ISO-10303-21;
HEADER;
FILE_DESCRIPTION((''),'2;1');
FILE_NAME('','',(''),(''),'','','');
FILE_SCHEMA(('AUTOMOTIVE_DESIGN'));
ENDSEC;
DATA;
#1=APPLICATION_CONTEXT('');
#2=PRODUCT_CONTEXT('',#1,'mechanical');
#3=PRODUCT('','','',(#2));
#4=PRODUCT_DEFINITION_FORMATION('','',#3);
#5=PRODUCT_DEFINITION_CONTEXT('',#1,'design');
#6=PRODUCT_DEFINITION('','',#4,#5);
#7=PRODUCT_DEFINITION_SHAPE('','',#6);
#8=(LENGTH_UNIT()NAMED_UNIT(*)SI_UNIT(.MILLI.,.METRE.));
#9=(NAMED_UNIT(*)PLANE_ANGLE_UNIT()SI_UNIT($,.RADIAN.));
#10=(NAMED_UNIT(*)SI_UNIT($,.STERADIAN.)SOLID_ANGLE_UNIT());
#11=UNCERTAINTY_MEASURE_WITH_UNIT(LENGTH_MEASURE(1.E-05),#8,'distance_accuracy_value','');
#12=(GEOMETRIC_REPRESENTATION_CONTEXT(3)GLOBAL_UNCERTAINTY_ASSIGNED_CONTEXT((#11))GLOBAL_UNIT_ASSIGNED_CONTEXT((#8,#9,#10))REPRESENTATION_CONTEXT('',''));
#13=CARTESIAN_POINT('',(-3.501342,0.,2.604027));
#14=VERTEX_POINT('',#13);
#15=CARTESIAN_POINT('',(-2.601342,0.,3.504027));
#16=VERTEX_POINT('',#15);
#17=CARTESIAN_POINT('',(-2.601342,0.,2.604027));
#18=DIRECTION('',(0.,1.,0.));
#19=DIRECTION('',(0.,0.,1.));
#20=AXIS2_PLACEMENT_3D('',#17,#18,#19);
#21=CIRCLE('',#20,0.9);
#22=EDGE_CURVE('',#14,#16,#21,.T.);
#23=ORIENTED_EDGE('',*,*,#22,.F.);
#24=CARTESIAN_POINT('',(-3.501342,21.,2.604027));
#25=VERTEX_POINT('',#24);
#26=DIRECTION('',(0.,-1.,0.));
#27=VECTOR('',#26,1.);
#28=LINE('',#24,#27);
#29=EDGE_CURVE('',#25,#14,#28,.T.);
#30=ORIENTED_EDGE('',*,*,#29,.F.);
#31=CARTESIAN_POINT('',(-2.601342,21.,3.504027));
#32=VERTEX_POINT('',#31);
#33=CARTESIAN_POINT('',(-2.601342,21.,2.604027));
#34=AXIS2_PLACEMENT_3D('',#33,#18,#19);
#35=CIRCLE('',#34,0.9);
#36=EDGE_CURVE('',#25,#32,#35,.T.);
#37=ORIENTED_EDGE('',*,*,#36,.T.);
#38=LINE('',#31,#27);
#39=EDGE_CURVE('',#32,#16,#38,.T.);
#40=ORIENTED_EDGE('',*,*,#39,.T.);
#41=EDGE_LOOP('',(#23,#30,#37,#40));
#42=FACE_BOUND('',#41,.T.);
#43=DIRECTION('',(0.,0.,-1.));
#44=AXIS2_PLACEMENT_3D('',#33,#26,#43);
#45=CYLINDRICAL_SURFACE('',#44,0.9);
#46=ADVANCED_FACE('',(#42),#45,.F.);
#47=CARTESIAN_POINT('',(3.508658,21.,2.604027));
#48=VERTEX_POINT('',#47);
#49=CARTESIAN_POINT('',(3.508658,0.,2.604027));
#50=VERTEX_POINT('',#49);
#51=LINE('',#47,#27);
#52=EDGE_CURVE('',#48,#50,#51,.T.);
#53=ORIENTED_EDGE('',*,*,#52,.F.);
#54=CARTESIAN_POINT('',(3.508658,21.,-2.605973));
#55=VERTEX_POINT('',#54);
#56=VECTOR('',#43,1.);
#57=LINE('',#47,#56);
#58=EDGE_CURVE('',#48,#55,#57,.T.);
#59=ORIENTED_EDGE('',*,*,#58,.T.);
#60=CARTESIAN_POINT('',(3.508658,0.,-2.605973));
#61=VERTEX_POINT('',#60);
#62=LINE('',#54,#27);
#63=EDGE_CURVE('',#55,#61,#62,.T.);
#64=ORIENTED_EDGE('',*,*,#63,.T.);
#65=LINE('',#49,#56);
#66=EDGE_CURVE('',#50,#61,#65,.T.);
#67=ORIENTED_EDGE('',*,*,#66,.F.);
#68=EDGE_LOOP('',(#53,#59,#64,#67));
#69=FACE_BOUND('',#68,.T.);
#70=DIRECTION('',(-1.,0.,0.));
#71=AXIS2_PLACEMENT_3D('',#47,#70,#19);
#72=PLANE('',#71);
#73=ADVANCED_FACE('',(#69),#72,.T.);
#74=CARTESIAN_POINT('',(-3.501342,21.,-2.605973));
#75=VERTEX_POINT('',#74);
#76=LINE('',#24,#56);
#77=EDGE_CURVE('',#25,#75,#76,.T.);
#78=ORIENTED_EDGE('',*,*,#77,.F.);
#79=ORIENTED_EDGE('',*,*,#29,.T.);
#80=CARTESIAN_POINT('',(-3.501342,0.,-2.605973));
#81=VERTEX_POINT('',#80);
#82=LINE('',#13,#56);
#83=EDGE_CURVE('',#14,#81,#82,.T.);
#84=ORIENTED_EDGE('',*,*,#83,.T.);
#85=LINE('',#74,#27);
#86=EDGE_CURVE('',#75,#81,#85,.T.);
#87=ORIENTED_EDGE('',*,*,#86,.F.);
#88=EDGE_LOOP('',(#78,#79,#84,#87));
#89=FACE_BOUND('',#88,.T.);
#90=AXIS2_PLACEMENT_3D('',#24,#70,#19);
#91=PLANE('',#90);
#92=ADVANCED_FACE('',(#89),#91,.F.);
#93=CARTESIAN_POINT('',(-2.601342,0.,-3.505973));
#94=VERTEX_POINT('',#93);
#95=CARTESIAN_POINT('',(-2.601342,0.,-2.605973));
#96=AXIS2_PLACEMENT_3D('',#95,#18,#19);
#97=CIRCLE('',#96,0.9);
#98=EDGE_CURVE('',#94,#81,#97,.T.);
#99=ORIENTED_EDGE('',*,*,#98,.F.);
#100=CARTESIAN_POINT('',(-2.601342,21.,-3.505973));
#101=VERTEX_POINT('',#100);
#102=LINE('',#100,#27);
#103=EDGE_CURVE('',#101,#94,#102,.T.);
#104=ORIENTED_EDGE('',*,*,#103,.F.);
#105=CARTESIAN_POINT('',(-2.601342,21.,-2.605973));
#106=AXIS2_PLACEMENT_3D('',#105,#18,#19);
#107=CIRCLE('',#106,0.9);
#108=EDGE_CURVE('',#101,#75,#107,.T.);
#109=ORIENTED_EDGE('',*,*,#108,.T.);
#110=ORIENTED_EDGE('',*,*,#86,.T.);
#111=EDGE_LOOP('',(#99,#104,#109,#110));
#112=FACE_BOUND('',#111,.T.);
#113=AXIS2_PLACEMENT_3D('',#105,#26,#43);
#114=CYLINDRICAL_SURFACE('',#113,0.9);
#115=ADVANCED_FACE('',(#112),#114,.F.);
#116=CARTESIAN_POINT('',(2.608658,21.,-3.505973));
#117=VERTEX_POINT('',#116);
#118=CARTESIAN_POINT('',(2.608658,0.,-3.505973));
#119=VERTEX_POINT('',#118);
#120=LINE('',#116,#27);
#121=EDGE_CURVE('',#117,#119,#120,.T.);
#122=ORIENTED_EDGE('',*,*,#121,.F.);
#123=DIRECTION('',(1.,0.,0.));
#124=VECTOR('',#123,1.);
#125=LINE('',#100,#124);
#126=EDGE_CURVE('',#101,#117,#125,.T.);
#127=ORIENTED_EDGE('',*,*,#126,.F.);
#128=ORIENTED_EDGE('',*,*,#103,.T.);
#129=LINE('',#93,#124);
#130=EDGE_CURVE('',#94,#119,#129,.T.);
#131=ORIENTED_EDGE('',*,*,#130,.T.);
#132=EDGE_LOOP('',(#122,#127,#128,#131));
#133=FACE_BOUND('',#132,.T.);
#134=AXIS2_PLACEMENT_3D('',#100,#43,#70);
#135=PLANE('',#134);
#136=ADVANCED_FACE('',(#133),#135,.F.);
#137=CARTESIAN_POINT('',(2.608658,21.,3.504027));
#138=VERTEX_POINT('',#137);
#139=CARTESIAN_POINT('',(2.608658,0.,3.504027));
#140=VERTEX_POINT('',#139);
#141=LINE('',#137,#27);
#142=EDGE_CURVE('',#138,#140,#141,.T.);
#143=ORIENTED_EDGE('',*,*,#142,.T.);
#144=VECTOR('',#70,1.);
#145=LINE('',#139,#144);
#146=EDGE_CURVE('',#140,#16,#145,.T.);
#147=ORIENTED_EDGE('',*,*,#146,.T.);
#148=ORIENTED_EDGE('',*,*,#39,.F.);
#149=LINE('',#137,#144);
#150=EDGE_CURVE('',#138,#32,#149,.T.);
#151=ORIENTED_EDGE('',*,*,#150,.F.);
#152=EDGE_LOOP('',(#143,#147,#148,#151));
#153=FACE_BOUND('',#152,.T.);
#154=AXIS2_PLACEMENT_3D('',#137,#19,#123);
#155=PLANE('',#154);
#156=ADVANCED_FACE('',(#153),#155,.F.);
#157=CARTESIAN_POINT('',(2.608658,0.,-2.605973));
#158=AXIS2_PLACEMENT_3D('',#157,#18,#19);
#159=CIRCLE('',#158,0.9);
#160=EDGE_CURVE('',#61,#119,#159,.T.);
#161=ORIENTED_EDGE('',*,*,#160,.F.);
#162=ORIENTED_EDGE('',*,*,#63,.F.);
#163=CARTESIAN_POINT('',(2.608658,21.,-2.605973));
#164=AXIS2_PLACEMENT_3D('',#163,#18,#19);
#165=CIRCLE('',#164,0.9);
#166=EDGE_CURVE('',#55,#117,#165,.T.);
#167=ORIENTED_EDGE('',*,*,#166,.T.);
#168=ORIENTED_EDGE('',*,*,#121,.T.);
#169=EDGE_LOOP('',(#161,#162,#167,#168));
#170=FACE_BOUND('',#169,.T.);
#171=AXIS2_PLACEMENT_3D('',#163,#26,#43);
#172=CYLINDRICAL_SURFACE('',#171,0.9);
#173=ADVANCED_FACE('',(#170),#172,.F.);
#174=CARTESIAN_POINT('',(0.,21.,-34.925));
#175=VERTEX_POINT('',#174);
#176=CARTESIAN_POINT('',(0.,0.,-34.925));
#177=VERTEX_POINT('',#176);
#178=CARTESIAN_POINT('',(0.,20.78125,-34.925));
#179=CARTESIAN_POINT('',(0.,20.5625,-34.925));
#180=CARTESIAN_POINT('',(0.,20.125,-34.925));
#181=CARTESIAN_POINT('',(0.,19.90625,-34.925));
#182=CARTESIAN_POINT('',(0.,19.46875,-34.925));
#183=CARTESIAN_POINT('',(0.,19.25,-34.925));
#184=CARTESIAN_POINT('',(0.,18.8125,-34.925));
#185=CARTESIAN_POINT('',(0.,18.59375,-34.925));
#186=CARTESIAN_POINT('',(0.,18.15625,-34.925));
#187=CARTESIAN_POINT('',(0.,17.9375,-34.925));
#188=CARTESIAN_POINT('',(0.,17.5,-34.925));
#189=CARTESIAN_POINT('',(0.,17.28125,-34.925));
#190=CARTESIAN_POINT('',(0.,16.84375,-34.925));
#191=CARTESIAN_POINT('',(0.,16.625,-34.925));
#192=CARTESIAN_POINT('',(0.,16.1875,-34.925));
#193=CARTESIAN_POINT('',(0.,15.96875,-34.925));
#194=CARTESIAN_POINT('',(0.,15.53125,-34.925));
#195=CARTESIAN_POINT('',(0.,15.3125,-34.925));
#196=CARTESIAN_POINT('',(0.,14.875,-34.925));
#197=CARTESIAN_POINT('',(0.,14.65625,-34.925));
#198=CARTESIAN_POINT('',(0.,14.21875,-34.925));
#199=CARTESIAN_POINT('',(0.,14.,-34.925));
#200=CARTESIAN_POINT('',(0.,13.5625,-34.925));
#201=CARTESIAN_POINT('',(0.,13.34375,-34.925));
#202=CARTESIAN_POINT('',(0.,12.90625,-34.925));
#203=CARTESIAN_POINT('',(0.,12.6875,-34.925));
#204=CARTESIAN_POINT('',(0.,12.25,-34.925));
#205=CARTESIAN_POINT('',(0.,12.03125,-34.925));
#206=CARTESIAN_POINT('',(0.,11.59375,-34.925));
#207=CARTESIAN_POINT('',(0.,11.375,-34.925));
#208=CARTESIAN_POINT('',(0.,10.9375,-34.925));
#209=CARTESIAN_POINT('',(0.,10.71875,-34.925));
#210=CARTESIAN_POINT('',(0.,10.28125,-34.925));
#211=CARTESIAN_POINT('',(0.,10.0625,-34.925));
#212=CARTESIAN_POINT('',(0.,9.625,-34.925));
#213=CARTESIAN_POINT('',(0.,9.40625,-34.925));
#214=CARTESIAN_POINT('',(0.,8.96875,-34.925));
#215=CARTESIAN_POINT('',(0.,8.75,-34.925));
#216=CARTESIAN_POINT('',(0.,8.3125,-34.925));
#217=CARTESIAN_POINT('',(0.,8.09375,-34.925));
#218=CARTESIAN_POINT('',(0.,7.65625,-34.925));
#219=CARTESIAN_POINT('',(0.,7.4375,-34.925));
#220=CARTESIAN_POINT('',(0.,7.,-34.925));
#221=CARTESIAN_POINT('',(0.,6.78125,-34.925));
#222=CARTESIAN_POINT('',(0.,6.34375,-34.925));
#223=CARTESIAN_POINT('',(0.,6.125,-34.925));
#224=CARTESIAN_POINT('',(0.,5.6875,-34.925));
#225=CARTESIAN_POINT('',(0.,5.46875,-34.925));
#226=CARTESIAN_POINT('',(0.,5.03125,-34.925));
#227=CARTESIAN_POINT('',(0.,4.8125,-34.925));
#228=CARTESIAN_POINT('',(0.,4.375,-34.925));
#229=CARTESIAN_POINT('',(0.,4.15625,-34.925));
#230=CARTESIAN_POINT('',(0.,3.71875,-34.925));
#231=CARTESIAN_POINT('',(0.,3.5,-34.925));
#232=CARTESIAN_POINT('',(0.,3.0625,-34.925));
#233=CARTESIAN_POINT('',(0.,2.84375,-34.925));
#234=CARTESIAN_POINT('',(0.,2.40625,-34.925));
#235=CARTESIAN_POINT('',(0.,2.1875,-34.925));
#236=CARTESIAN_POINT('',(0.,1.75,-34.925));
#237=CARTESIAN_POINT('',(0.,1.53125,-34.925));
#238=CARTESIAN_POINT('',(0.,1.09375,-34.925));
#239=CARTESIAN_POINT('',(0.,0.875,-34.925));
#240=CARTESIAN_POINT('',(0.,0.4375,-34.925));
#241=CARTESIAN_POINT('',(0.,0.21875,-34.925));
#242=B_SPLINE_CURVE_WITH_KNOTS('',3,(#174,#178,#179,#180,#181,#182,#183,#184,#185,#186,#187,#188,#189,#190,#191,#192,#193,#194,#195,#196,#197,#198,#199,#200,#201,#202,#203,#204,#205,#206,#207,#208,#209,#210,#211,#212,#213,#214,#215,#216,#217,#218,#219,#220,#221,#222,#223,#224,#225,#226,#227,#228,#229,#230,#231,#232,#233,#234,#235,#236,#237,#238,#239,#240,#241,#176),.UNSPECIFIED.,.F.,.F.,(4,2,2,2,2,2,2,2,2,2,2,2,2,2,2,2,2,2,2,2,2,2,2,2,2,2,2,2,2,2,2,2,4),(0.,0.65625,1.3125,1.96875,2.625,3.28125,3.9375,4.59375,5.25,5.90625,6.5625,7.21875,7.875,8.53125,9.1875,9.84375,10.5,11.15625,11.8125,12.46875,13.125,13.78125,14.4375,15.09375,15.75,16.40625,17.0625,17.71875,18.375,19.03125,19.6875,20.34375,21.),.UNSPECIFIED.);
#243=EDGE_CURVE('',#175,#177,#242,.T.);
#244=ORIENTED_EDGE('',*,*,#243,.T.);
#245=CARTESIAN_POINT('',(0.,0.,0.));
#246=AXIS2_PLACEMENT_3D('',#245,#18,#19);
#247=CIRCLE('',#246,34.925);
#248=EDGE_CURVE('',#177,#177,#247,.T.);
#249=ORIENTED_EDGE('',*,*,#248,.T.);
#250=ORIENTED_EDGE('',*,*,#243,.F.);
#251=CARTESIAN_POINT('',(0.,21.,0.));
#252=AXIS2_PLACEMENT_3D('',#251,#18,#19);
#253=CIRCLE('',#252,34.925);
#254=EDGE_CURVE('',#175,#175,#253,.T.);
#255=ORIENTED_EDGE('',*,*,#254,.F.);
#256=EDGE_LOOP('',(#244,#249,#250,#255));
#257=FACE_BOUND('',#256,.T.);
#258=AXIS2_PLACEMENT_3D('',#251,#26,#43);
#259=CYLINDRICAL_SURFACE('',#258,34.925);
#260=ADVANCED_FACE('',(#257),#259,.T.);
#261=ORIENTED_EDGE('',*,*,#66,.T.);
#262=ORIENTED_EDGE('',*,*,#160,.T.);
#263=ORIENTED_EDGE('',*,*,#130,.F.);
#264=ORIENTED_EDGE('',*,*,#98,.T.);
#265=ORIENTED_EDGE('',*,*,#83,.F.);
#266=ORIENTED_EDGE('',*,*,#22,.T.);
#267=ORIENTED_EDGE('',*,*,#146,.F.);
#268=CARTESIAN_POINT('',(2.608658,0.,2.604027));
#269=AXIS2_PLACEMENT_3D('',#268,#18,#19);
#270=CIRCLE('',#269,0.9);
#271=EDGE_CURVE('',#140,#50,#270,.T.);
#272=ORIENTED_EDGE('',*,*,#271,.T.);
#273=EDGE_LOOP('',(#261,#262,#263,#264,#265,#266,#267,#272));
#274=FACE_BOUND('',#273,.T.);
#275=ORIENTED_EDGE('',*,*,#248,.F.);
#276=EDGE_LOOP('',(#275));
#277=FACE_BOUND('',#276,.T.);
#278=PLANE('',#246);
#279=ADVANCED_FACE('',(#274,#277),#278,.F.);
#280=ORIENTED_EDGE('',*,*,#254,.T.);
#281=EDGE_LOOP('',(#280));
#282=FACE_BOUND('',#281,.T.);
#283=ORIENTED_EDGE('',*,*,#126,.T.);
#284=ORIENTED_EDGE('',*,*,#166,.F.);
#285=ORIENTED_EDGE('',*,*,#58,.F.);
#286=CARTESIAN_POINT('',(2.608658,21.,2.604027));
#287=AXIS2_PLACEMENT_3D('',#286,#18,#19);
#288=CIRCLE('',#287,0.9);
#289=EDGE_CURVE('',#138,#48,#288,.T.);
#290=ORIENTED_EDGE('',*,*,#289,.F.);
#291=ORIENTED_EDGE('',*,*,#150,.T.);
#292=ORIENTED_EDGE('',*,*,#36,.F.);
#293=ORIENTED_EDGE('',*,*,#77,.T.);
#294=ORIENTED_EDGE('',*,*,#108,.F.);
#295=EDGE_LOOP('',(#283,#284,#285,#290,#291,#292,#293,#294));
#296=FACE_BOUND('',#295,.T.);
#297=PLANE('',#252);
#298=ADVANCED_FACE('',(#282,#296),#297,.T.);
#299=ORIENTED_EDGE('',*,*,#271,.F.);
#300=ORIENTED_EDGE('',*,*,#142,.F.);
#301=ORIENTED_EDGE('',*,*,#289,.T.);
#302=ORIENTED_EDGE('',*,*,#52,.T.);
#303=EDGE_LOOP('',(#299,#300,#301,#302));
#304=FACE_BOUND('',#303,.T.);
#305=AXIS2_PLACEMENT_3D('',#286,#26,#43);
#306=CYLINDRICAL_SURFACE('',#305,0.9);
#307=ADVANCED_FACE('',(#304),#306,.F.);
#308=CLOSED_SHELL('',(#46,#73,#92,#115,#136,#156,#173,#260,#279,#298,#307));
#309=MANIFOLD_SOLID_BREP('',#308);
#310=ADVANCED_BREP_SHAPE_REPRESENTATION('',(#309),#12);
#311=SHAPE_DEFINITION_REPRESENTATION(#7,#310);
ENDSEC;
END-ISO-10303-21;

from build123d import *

# Parameters (mm, degrees)
SKETCH_1_R      = 34.925
EXTRUDE_1_DEPTH = 21


with BuildPart() as part:
    # 草图1 → 凸台-拉伸1 (new body)
    with BuildSketch(Plane(origin=(0, 0, 0), x_dir=(1, 0, 0), z_dir=(0, 1, 0))):
        with Locations(Location((0, 0, 0), (0, 0, 90))):
            Circle(SKETCH_1_R)
        with BuildLine():
            Line((-2.601341773, 3.505973477), (2.608658475, 3.505973477))
            ThreePointArc((2.608658475, 3.505973477), (3.245054563, 3.242369587), (3.508658453, 2.605973499))
            Line((3.508658453, 2.605973499), (3.508658453, -2.604026749))
            ThreePointArc((3.508658453, -2.604026749), (3.245054563, -3.240422836), (2.608658475, -3.504026727))
            Line((2.608658475, -3.504026727), (-2.601341773, -3.504026727))
            ThreePointArc((-2.601341773, -3.504026727), (-3.23773786, -3.240422836), (-3.501341751, -2.604026749))
            Line((-3.501341751, -2.604026749), (-3.501341751, 2.605973499))
            ThreePointArc((-3.501341751, 2.605973499), (-3.23773786, 3.242369587), (-2.601341773, 3.505973477))
        make_face(mode=Mode.SUBTRACT)
    extrude(amount=EXTRUDE_1_DEPTH)


solid = part.part
